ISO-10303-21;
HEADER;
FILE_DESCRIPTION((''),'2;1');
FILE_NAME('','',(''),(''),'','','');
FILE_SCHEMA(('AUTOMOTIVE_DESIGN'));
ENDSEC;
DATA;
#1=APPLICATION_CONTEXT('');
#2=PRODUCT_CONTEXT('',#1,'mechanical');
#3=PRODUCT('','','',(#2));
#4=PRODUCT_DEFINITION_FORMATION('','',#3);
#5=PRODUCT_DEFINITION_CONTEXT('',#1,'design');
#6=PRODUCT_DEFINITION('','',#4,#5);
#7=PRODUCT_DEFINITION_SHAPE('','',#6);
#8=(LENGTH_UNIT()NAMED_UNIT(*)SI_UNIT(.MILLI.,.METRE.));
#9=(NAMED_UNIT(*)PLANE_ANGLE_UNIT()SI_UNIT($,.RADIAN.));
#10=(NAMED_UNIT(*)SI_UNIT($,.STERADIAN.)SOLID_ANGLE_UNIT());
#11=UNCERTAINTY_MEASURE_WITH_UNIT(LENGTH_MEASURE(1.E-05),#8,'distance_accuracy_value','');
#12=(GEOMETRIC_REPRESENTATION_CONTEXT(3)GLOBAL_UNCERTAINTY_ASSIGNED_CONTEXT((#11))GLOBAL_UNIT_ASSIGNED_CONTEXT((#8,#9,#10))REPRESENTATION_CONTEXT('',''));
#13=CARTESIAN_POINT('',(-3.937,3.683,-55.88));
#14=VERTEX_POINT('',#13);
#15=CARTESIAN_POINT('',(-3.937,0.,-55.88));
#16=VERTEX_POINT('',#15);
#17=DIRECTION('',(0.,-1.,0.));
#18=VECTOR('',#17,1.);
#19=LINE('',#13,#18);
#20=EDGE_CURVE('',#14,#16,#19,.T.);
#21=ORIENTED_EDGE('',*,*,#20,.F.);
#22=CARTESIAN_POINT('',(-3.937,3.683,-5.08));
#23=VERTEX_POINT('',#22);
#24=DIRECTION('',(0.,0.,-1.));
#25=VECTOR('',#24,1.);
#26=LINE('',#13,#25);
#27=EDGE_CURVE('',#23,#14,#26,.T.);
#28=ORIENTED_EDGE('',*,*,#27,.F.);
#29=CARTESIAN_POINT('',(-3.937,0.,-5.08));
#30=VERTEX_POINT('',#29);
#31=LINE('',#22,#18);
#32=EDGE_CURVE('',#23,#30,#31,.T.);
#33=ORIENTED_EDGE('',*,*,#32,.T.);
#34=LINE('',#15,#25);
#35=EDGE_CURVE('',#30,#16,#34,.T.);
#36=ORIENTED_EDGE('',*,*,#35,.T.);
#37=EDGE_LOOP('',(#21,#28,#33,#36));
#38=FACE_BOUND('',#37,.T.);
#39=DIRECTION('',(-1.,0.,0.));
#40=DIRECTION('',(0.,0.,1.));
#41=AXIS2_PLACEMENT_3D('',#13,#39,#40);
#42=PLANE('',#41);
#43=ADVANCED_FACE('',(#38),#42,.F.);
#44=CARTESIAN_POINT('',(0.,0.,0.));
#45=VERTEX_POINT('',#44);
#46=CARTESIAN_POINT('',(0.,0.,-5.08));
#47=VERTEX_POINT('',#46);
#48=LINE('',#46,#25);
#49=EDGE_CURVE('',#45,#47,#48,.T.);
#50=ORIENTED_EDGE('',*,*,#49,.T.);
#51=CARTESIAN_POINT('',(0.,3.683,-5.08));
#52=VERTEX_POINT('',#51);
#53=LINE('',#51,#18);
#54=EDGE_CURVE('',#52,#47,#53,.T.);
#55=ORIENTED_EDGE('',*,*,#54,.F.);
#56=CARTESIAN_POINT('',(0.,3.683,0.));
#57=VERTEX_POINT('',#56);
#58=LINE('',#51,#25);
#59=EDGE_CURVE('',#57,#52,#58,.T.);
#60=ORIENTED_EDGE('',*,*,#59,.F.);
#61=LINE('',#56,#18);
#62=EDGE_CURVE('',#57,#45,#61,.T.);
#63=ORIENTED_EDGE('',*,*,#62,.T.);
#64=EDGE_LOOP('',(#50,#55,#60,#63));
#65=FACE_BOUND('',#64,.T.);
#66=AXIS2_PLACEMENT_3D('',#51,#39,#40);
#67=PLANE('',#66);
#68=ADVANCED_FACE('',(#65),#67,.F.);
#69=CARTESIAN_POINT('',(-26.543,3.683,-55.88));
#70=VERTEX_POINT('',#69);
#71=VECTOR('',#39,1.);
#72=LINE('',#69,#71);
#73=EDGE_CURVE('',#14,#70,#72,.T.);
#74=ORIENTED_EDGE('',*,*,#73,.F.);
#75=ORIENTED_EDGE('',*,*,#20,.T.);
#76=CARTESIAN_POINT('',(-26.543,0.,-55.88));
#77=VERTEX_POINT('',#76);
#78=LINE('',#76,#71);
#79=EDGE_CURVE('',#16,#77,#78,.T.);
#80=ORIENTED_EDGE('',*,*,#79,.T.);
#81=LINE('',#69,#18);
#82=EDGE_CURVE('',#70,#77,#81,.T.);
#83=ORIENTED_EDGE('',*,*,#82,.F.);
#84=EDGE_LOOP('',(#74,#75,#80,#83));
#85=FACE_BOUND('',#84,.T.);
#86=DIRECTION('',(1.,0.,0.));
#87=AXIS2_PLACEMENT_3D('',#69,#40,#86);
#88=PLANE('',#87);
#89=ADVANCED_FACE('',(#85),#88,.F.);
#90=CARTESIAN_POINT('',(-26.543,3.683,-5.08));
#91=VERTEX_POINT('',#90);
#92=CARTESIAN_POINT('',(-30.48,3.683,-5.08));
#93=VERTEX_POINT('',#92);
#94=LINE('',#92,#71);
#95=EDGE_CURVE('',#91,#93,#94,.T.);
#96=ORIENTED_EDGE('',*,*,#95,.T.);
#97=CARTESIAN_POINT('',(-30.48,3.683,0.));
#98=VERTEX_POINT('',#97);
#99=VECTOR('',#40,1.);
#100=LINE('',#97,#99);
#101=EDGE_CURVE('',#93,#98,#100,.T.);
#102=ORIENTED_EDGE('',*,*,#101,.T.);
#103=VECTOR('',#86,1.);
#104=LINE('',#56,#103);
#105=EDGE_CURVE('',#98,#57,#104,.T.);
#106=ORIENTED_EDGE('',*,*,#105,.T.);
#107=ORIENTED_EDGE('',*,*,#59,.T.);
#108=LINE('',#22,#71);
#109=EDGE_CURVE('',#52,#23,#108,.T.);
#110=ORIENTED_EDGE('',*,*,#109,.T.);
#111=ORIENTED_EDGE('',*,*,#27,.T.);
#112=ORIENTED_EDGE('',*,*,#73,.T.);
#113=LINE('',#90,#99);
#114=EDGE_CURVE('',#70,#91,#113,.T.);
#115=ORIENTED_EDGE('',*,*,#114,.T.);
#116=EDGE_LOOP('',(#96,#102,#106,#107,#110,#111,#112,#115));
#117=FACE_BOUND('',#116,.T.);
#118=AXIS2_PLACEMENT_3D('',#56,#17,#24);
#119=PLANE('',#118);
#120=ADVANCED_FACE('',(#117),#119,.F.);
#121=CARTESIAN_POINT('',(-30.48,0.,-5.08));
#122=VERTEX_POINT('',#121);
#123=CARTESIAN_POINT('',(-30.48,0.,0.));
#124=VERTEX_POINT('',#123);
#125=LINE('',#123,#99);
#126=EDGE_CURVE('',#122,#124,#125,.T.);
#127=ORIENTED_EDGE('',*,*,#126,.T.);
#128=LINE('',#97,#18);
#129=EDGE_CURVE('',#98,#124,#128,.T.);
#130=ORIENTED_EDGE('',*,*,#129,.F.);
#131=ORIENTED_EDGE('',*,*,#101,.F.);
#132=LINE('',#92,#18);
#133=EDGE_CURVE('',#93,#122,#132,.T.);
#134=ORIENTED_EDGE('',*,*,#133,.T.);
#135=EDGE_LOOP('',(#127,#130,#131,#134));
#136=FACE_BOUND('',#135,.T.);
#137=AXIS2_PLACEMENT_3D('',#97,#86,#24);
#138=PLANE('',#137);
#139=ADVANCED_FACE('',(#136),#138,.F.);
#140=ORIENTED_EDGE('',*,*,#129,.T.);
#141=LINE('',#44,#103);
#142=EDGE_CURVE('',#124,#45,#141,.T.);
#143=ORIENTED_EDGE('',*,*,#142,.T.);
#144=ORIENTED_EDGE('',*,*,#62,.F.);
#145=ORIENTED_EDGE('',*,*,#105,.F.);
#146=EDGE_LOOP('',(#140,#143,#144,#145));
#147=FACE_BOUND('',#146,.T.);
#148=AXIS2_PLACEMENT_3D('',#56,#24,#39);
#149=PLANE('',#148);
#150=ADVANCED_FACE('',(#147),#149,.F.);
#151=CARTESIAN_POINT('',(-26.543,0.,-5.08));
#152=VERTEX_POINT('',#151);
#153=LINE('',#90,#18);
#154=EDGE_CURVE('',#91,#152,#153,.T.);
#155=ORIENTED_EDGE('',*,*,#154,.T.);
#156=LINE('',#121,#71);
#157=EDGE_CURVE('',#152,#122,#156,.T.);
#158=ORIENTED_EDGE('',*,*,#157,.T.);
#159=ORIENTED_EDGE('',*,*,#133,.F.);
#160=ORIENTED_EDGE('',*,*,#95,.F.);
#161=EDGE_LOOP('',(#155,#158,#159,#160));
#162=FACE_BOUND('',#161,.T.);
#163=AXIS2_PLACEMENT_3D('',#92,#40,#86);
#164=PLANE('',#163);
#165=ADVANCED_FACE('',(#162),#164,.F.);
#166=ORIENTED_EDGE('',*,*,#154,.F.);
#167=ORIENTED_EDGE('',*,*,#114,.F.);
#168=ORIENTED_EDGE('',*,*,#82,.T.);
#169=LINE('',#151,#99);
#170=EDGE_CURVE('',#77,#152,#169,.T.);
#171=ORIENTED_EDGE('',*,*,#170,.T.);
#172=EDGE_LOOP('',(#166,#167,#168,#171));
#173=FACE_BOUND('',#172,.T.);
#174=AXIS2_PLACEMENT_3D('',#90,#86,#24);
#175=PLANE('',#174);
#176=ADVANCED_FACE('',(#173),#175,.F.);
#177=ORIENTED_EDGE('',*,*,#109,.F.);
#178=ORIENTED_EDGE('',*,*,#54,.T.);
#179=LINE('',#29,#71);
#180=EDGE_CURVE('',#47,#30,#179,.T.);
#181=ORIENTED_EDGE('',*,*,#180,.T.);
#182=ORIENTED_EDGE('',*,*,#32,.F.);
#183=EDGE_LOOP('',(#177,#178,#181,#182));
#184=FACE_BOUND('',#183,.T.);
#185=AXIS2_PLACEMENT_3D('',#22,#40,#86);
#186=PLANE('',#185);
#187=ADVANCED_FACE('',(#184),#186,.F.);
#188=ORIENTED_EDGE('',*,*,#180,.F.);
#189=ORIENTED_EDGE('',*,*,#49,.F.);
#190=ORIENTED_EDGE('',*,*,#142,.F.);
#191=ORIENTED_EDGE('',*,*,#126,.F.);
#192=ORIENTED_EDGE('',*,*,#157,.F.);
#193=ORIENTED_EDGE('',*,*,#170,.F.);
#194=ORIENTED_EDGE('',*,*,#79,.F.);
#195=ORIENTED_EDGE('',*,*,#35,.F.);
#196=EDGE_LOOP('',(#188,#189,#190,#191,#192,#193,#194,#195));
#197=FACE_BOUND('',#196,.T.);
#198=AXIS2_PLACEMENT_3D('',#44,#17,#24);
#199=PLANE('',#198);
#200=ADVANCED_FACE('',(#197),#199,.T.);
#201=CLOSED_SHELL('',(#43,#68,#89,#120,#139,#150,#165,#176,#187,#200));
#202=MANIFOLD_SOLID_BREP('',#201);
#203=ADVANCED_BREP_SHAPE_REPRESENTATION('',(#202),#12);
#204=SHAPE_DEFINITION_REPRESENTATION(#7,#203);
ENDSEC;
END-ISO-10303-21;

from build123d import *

# Parameters (mm, degrees)
BOSS_EXTRUDE1_DEPTH = 3.683


with BuildPart() as part:
    # Sketch1 → Boss-Extrude1 (new body)
    with BuildSketch(Plane(origin=(0, 0, 0), x_dir=(1, 0, 0), z_dir=(0, 1, 0))):
        Polygon((0, 0), (-30.48, 0), (-30.48, 5.08), (-26.543, 5.08), (-26.543, 55.88), (-3.937, 55.88), (-3.937, 5.08), (0, 5.08), align=None)
    extrude(amount=BOSS_EXTRUDE1_DEPTH)


solid = part.part
